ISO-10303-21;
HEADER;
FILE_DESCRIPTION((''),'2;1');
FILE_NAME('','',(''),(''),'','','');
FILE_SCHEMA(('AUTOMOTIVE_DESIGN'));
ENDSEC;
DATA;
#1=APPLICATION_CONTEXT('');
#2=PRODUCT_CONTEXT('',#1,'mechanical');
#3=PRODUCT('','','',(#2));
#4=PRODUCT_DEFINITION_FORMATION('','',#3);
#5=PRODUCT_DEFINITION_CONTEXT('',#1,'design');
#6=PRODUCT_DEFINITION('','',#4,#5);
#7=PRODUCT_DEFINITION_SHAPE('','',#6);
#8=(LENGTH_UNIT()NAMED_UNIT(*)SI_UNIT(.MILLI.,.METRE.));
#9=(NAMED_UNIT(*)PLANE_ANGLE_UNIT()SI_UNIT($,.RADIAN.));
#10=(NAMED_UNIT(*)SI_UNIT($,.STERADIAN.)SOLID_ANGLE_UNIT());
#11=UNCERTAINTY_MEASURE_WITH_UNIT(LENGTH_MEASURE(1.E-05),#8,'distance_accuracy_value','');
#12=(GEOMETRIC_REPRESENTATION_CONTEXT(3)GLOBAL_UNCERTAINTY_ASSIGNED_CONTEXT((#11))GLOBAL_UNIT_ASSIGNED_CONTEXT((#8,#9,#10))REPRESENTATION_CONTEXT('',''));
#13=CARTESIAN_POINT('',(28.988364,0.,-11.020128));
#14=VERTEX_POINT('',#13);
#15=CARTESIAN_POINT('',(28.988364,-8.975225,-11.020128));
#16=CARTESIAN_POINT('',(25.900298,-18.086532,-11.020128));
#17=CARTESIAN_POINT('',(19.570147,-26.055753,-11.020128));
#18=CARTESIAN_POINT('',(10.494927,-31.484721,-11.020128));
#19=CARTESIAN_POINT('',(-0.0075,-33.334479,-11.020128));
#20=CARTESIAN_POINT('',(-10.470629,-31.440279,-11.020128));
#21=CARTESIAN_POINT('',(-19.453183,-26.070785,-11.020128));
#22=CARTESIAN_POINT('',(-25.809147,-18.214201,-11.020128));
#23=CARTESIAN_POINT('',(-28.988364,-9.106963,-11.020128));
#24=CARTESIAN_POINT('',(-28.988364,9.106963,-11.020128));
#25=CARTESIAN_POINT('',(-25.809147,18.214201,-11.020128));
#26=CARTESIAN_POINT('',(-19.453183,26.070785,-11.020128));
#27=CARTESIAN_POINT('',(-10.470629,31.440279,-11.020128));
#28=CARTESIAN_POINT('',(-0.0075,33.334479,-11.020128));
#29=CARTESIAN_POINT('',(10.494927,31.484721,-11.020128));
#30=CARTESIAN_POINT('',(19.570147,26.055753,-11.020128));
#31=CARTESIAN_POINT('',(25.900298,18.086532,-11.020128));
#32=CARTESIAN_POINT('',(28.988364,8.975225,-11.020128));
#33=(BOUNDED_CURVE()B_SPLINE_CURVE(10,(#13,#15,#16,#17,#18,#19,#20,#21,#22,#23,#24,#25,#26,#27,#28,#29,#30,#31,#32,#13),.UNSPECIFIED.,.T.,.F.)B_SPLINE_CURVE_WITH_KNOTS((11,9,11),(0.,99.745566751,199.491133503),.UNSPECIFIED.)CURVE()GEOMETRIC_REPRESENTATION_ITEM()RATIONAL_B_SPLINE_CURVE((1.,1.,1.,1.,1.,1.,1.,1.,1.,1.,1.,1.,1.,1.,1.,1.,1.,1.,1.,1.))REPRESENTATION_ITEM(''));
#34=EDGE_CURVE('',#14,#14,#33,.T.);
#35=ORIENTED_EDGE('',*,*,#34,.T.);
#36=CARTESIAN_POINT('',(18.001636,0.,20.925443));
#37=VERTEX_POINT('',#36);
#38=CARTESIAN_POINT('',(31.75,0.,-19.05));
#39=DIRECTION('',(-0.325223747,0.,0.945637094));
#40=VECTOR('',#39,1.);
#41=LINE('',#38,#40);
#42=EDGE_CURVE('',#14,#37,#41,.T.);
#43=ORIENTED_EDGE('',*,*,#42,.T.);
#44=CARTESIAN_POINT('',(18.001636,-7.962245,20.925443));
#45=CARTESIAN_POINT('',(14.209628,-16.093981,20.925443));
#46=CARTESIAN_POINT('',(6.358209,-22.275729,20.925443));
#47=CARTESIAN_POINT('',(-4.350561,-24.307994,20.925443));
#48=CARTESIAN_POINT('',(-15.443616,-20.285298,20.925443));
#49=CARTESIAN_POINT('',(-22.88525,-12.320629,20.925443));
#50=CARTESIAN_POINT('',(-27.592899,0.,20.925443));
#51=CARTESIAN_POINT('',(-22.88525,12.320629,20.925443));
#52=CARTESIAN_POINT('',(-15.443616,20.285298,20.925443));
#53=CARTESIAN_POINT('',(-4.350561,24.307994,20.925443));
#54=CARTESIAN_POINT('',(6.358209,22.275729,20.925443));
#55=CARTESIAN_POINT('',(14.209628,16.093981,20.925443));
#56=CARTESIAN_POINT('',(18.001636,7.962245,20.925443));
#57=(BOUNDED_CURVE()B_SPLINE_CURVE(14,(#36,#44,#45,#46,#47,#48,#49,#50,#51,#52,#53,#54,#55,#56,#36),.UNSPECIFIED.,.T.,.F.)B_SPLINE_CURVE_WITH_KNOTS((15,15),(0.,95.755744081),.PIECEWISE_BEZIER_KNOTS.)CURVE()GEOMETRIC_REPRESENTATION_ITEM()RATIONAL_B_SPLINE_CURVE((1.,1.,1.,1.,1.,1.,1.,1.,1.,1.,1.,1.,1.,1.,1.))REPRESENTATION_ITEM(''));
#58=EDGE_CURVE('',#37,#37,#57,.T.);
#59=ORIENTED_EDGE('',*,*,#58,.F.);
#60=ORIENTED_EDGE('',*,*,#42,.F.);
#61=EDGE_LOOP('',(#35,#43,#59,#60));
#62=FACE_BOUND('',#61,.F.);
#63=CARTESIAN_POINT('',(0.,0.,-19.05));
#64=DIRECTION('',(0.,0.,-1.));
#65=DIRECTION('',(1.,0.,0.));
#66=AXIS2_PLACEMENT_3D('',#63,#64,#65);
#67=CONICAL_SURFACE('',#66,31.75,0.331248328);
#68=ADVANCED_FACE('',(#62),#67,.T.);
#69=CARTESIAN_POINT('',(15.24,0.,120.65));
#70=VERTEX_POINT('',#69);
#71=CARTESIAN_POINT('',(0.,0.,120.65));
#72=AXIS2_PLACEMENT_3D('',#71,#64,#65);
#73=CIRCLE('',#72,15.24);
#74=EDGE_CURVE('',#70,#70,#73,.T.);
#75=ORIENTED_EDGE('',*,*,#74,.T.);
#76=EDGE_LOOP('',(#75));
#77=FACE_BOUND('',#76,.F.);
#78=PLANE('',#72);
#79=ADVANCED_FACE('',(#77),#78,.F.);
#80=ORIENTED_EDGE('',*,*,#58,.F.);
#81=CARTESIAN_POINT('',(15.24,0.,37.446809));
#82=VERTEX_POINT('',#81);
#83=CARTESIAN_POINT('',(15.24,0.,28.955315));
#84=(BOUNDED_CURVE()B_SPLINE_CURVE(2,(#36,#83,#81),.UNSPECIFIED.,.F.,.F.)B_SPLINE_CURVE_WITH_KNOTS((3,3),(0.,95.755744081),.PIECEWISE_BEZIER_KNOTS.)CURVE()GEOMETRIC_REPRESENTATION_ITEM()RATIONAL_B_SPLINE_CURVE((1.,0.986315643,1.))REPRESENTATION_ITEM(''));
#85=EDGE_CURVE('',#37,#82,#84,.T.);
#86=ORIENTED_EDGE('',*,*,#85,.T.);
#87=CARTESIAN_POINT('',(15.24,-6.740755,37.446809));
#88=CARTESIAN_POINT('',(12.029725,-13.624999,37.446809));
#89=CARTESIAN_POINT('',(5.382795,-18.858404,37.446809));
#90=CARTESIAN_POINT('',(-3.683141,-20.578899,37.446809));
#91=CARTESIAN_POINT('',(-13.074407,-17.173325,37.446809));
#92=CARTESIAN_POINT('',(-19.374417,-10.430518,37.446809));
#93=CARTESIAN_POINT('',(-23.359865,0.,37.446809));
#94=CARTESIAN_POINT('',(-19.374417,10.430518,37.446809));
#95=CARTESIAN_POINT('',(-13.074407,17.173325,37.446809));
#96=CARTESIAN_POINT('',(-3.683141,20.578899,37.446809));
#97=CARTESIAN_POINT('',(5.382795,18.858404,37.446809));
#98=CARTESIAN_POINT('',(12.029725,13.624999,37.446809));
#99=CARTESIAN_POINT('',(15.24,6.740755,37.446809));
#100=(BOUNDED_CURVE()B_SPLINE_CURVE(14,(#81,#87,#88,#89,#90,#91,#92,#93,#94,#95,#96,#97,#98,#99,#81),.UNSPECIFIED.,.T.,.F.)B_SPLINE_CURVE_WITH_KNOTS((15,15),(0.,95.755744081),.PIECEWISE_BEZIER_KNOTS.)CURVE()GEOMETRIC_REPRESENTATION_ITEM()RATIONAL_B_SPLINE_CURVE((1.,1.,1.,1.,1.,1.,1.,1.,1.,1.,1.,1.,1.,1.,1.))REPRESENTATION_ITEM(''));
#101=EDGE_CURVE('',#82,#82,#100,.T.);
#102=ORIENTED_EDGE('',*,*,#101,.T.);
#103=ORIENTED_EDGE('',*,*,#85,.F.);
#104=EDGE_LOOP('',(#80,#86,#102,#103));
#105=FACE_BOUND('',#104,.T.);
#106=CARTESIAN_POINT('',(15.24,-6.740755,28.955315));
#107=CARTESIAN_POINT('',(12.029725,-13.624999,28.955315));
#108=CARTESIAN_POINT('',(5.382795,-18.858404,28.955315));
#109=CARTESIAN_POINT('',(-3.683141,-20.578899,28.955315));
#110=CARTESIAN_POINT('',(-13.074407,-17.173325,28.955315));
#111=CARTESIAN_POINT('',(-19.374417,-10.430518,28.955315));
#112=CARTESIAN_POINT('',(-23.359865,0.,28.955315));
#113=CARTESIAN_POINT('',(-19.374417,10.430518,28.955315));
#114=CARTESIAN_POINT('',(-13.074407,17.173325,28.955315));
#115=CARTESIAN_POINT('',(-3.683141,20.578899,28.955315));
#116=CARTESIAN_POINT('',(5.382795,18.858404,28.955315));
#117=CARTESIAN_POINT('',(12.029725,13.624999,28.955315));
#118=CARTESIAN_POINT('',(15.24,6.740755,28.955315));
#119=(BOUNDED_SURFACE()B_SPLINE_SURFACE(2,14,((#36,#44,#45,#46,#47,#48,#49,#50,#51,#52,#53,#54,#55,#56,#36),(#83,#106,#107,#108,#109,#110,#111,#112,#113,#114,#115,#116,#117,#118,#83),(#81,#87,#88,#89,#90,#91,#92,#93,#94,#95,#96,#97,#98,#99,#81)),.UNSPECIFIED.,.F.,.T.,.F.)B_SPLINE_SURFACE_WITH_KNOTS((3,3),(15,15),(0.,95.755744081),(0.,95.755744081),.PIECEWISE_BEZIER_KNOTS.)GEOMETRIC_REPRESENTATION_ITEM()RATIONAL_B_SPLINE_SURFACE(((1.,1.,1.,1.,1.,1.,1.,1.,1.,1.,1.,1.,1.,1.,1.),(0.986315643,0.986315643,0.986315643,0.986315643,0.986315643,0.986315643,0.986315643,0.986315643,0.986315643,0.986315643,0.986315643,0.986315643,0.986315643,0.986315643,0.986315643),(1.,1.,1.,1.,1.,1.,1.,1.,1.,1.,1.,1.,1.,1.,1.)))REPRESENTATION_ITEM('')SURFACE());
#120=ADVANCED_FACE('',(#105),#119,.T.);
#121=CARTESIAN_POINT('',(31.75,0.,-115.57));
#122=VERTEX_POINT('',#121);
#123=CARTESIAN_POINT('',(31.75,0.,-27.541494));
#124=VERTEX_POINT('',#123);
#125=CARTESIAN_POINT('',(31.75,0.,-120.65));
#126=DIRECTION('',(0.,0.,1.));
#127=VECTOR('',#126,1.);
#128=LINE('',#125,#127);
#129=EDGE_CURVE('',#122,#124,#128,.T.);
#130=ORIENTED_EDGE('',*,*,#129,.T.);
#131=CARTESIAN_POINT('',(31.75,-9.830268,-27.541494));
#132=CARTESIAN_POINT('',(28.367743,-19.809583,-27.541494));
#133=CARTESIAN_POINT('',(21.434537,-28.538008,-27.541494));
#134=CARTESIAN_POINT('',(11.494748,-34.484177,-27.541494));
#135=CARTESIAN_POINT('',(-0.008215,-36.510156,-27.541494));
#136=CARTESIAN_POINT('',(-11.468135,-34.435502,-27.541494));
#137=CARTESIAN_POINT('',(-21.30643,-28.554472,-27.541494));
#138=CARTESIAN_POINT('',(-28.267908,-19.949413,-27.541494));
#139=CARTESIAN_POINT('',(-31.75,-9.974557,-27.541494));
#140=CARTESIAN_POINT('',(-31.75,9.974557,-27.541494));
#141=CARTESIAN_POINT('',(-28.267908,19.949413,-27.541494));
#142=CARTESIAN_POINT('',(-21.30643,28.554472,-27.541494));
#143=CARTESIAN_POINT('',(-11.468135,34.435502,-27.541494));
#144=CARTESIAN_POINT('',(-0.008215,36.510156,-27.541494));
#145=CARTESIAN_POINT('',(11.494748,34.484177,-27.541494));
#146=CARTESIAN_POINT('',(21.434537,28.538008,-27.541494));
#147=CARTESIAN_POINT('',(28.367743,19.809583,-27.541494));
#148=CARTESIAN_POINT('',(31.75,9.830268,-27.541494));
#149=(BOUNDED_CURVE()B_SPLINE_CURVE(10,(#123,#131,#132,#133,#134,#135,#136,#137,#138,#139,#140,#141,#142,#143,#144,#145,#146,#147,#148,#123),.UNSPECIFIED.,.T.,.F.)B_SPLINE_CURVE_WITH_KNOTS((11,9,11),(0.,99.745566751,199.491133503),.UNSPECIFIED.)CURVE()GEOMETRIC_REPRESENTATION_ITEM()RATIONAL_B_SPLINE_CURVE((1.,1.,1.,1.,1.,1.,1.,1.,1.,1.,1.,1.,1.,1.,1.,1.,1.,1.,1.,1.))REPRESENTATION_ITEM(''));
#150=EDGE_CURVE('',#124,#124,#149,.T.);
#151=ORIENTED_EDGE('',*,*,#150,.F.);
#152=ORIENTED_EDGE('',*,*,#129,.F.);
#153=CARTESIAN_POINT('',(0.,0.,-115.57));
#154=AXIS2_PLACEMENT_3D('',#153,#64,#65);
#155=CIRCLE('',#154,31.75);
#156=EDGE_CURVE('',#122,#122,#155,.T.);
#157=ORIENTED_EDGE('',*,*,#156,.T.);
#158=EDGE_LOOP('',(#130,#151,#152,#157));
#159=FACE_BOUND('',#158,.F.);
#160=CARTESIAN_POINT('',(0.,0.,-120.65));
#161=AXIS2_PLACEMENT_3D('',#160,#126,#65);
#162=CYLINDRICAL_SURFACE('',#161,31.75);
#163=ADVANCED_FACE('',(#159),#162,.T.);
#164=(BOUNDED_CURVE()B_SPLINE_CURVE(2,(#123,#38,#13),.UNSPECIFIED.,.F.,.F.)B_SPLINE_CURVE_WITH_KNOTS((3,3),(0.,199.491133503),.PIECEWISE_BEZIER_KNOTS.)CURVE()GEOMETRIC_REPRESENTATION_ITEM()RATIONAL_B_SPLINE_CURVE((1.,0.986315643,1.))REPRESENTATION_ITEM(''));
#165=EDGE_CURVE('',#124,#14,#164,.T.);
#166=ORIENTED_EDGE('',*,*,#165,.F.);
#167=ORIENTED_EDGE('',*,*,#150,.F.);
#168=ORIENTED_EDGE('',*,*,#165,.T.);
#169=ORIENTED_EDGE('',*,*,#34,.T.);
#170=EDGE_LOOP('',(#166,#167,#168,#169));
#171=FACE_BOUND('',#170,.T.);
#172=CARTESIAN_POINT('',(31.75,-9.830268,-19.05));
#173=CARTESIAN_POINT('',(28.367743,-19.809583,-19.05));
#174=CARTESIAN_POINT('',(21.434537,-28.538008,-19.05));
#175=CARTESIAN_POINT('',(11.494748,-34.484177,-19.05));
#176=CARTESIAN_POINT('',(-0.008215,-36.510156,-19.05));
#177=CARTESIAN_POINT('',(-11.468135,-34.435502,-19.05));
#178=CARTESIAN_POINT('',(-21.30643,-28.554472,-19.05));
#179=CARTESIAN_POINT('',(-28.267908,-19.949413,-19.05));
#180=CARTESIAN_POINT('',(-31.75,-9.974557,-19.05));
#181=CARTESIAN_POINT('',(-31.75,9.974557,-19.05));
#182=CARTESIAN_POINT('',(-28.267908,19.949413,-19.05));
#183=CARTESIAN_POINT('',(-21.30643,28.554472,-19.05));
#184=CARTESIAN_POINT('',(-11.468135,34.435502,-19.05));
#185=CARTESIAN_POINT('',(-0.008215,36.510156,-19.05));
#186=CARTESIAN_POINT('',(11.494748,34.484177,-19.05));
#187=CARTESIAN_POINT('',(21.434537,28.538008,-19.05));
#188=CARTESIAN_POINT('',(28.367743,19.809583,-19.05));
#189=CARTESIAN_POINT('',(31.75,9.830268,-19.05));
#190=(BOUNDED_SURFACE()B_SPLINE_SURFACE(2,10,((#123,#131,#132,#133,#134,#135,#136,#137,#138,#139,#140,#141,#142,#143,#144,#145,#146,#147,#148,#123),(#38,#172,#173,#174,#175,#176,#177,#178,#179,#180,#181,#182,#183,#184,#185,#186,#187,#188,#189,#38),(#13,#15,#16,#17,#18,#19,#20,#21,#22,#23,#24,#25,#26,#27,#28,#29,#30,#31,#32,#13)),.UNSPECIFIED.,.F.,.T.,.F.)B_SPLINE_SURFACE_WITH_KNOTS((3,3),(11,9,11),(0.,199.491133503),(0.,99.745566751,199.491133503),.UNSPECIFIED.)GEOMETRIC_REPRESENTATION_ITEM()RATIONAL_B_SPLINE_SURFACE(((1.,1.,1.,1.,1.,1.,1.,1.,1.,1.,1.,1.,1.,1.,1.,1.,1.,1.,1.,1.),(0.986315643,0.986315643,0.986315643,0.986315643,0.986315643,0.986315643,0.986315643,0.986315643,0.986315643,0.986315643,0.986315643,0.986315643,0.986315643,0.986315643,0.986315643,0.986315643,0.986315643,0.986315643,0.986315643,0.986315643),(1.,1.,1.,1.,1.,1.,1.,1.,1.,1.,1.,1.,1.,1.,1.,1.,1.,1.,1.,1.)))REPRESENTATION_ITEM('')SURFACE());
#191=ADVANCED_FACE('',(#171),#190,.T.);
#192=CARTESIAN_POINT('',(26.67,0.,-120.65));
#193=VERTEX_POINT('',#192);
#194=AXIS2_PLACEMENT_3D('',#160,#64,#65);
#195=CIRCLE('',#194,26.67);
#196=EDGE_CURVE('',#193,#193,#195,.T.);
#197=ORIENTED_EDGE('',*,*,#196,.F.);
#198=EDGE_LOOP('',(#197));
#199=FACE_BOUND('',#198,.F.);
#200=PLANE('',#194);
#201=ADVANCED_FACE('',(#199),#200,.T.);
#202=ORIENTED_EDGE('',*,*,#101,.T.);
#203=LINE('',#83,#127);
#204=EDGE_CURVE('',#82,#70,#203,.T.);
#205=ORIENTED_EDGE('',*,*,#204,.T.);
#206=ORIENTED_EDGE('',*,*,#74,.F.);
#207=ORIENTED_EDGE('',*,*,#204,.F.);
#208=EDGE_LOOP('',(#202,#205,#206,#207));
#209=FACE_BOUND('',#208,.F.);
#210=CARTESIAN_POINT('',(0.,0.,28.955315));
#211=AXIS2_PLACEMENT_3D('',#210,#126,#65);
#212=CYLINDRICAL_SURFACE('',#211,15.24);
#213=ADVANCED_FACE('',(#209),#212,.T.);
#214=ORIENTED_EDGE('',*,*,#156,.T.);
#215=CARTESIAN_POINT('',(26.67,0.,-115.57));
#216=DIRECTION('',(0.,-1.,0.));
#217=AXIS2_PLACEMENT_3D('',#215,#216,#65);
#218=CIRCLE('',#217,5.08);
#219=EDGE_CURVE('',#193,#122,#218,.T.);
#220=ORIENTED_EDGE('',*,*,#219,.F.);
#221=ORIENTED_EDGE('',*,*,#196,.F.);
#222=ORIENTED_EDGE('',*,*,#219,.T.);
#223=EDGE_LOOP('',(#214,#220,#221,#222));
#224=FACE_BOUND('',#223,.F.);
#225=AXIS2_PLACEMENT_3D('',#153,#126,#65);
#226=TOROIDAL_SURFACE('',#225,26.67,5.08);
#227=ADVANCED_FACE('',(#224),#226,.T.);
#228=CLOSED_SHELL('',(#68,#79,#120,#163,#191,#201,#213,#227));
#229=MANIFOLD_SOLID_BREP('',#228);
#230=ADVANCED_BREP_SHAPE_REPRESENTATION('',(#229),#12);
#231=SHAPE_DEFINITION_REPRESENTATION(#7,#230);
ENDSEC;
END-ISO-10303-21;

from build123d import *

# Parameters (mm, degrees)
F2_R = 5.08
F3_R = 50.8


with BuildPart() as f1:
    # F0 (on Front) → F1 (revolve)
    with BuildSketch(Plane.XZ):
        Polygon((15.24, 120.65), (0, 120.65), (0, -120.65), (31.75, -120.65), (31.75, -19.05), (15.24, 28.955315), align=None)
    revolve(axis=Axis((0, 0, 2.313137), (0, 0, -1)))

    # F2
    f2_edges = [f1.edges().sort_by_distance(p)[0] for p in [
        (-31.75, 0, -120.65),
    ]]
    fillet(f2_edges, radius=F2_R)

    # F3
    f3_edges = [f1.edges().sort_by_distance(p)[0] for p in [
        (-31.75, 0, -19.05),
        (-15.24, 0, 28.955315),
    ]]
    fillet(f3_edges, radius=F3_R)


solid = f1.part
